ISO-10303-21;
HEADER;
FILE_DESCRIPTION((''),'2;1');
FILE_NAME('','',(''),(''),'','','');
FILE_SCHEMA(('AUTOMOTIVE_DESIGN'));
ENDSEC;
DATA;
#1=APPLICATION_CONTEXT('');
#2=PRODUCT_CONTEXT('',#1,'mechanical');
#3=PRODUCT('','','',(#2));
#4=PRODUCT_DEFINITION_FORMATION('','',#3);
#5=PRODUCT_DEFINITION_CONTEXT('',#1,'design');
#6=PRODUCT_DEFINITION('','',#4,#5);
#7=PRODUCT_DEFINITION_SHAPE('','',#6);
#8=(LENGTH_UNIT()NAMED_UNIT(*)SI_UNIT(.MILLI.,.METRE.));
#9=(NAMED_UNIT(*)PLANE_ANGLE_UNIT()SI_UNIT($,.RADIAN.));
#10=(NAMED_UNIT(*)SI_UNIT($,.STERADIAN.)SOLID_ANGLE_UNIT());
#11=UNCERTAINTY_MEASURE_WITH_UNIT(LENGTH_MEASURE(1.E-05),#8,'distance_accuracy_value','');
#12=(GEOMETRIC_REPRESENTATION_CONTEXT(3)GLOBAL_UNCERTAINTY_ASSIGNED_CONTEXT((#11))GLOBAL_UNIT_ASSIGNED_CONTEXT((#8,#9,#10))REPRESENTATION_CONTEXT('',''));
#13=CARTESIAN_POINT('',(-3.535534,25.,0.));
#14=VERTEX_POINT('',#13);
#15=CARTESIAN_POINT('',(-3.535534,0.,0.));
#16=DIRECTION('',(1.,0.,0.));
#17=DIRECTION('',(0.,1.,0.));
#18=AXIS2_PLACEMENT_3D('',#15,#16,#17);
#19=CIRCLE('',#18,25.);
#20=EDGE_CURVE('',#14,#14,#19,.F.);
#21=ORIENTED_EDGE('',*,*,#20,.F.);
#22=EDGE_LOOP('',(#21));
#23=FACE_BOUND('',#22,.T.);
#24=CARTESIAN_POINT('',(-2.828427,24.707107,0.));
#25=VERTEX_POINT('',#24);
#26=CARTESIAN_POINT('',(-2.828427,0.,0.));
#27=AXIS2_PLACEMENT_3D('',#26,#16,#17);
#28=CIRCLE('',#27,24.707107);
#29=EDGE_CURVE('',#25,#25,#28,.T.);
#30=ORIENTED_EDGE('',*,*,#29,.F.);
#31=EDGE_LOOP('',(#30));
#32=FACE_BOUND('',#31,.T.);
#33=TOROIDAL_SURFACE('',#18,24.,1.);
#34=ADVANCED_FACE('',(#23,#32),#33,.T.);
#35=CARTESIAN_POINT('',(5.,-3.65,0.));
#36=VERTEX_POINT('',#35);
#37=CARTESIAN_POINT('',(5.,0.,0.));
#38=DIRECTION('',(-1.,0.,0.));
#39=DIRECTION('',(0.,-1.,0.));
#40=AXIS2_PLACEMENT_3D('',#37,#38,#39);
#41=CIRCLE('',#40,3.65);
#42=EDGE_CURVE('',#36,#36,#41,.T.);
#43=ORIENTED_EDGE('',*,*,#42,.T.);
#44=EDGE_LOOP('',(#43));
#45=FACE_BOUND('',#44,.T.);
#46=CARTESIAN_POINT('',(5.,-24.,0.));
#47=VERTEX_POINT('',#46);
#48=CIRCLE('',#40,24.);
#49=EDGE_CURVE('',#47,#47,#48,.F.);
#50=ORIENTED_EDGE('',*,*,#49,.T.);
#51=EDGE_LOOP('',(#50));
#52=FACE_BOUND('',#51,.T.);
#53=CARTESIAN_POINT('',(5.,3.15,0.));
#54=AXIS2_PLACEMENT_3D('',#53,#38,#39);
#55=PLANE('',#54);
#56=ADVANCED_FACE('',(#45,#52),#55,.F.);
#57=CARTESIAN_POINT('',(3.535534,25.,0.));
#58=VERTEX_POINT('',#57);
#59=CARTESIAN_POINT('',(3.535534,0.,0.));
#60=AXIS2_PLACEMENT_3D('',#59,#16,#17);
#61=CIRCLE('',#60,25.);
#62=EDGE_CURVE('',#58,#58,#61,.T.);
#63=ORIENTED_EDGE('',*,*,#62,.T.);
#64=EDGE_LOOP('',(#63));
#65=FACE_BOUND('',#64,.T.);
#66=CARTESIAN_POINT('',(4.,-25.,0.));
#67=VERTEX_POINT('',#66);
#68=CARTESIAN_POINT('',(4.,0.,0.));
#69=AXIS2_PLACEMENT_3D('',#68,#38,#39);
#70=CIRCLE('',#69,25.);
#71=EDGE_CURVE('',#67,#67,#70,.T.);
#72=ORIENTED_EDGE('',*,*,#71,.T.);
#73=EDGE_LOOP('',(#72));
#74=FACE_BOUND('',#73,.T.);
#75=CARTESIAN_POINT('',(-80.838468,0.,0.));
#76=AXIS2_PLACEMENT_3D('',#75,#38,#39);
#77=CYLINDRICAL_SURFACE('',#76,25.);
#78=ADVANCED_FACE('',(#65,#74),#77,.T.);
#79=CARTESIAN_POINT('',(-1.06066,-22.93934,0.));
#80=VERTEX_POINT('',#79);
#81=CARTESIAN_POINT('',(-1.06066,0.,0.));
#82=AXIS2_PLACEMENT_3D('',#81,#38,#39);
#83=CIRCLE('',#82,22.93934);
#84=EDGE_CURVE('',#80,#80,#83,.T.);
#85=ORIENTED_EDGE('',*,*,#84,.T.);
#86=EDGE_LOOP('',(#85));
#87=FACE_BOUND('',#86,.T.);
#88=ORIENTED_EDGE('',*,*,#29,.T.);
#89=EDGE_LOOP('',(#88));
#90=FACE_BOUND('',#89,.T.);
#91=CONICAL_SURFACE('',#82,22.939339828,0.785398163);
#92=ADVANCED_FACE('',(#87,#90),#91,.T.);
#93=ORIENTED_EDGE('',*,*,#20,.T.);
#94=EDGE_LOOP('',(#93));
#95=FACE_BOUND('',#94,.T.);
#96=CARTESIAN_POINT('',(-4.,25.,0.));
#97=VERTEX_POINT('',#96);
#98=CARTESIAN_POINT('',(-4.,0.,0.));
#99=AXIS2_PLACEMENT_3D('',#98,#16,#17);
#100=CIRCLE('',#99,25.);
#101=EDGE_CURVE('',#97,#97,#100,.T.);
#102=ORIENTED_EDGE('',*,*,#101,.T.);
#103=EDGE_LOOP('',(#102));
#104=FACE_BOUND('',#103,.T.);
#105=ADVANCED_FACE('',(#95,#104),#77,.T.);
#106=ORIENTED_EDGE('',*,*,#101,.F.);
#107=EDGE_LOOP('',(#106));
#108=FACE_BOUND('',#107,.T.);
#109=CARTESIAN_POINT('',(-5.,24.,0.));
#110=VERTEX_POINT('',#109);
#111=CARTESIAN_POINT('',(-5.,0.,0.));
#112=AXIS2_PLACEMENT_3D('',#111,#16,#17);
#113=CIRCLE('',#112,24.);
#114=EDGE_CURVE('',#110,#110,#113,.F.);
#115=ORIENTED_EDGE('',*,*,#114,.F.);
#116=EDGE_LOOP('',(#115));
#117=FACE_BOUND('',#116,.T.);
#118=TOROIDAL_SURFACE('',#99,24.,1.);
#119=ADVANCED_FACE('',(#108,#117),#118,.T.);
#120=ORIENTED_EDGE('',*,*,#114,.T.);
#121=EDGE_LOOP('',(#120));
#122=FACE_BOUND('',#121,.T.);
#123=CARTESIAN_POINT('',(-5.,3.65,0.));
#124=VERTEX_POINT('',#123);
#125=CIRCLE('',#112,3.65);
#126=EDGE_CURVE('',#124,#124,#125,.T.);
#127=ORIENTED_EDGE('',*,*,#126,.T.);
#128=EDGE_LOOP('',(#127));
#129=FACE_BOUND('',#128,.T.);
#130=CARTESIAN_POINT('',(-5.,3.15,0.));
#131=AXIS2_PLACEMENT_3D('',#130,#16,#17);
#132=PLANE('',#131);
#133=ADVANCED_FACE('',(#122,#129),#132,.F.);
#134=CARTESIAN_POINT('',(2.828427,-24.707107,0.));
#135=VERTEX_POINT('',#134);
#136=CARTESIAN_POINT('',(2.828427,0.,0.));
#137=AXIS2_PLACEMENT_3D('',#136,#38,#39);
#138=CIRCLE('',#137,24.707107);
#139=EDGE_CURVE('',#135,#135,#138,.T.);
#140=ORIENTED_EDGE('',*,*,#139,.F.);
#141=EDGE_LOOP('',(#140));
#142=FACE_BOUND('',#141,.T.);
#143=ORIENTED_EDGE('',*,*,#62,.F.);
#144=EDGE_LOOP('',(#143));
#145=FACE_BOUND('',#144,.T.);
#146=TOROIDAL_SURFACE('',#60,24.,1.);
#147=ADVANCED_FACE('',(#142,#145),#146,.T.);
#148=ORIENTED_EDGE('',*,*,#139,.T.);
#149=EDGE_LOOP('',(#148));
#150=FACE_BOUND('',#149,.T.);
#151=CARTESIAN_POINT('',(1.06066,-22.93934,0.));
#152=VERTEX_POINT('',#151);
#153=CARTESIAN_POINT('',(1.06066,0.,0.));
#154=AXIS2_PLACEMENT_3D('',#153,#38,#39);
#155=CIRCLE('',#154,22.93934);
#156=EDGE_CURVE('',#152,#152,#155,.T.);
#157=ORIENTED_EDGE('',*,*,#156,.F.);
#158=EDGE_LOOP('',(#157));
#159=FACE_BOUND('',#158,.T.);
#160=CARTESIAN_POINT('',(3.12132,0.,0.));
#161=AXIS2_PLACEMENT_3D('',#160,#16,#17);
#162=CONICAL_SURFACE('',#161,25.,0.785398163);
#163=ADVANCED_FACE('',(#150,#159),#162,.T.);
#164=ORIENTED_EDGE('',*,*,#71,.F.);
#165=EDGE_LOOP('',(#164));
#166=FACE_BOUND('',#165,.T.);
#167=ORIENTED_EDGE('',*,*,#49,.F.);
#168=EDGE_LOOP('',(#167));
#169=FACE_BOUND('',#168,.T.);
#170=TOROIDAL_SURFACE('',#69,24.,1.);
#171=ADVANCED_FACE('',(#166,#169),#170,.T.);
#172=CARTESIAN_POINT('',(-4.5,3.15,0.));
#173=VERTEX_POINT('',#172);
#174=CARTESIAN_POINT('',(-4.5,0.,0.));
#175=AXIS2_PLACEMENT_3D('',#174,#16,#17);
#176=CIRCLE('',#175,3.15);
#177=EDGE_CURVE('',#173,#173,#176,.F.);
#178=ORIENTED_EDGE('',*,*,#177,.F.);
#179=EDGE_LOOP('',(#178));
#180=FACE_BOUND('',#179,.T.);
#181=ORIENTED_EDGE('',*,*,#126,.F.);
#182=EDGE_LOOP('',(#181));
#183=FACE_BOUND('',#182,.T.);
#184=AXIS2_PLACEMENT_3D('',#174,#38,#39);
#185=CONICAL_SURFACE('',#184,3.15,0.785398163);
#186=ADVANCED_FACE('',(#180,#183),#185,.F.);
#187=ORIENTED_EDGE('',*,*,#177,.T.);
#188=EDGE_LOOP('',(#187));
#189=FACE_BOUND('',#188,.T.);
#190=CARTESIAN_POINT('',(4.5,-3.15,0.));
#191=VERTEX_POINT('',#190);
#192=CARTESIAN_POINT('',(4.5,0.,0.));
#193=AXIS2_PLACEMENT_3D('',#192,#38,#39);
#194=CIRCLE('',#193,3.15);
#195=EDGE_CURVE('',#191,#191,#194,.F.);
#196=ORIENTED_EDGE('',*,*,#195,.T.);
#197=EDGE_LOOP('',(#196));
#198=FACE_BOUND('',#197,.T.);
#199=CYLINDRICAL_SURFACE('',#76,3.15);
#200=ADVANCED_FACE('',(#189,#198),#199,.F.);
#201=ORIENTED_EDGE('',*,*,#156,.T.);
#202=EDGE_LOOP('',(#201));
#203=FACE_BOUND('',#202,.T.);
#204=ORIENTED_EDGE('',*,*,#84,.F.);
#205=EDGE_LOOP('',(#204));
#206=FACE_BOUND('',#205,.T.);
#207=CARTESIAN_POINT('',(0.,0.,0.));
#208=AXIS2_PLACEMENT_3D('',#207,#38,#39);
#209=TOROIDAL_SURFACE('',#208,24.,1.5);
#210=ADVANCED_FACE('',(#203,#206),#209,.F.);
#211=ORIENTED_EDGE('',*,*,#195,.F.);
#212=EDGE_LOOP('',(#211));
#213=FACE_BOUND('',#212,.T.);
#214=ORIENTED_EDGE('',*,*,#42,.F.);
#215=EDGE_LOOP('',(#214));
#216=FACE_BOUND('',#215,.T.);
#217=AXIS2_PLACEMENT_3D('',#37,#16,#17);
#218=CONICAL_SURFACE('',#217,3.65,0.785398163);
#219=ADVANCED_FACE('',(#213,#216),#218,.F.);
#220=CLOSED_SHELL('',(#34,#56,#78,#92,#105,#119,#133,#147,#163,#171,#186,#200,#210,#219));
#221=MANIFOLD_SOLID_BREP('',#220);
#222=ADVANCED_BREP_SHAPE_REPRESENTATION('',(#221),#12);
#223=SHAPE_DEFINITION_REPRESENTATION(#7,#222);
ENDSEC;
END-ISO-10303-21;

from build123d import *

# Parameters (mm, degrees)
CHANFREIN1_SIZE = 0.5
CONG_1_R        = 1


with BuildPart() as part:
    # Esquisse2 → Révolution1 (revolve)
    with BuildSketch(Plane.XY, mode=Mode.PRIVATE) as r_volution1_sk:
        with BuildLine():
            Line((3.121320344, 25), (5, 25))
            Line((5, 25), (5, 3.15))
            Line((5, 3.15), (-5, 3.15))
            Line((-5, 3.15), (-5, 25))
            Line((-5, 25), (-3.121320344, 25))
            Line((-3.121320344, 25), (-1.060660172, 22.939339828))
            ThreePointArc((-1.060660172, 22.939339828), (0, 22.5), (1.060660172, 22.939339828))
            Line((1.060660172, 22.939339828), (3.121320344, 25))
        make_face()
    revolve(r_volution1_sk.sketch.rotate(Axis((-80.838467618, 0, 0), (1, 0, 0)), 180), axis=Axis((-80.838467618, 0, 0), (1, 0, 0)))

    # Chanfrein1
    chanfrein1_edges = [part.edges().sort_by_distance(p)[0] for p in [
        (5, 3.15, 0),
        (-5, 3.15, 0),
    ]]
    chamfer(chanfrein1_edges, length=CHANFREIN1_SIZE)

    # Congé1
    cong_1_edges = [part.edges().sort_by_distance(p)[0] for p in [
        (3.121320344, 25, 0),
        (5, 25, 0),
        (-5, 25, 0),
        (-3.121320344, 25, 0),
    ]]
    fillet(cong_1_edges, radius=CONG_1_R)


solid = part.part
